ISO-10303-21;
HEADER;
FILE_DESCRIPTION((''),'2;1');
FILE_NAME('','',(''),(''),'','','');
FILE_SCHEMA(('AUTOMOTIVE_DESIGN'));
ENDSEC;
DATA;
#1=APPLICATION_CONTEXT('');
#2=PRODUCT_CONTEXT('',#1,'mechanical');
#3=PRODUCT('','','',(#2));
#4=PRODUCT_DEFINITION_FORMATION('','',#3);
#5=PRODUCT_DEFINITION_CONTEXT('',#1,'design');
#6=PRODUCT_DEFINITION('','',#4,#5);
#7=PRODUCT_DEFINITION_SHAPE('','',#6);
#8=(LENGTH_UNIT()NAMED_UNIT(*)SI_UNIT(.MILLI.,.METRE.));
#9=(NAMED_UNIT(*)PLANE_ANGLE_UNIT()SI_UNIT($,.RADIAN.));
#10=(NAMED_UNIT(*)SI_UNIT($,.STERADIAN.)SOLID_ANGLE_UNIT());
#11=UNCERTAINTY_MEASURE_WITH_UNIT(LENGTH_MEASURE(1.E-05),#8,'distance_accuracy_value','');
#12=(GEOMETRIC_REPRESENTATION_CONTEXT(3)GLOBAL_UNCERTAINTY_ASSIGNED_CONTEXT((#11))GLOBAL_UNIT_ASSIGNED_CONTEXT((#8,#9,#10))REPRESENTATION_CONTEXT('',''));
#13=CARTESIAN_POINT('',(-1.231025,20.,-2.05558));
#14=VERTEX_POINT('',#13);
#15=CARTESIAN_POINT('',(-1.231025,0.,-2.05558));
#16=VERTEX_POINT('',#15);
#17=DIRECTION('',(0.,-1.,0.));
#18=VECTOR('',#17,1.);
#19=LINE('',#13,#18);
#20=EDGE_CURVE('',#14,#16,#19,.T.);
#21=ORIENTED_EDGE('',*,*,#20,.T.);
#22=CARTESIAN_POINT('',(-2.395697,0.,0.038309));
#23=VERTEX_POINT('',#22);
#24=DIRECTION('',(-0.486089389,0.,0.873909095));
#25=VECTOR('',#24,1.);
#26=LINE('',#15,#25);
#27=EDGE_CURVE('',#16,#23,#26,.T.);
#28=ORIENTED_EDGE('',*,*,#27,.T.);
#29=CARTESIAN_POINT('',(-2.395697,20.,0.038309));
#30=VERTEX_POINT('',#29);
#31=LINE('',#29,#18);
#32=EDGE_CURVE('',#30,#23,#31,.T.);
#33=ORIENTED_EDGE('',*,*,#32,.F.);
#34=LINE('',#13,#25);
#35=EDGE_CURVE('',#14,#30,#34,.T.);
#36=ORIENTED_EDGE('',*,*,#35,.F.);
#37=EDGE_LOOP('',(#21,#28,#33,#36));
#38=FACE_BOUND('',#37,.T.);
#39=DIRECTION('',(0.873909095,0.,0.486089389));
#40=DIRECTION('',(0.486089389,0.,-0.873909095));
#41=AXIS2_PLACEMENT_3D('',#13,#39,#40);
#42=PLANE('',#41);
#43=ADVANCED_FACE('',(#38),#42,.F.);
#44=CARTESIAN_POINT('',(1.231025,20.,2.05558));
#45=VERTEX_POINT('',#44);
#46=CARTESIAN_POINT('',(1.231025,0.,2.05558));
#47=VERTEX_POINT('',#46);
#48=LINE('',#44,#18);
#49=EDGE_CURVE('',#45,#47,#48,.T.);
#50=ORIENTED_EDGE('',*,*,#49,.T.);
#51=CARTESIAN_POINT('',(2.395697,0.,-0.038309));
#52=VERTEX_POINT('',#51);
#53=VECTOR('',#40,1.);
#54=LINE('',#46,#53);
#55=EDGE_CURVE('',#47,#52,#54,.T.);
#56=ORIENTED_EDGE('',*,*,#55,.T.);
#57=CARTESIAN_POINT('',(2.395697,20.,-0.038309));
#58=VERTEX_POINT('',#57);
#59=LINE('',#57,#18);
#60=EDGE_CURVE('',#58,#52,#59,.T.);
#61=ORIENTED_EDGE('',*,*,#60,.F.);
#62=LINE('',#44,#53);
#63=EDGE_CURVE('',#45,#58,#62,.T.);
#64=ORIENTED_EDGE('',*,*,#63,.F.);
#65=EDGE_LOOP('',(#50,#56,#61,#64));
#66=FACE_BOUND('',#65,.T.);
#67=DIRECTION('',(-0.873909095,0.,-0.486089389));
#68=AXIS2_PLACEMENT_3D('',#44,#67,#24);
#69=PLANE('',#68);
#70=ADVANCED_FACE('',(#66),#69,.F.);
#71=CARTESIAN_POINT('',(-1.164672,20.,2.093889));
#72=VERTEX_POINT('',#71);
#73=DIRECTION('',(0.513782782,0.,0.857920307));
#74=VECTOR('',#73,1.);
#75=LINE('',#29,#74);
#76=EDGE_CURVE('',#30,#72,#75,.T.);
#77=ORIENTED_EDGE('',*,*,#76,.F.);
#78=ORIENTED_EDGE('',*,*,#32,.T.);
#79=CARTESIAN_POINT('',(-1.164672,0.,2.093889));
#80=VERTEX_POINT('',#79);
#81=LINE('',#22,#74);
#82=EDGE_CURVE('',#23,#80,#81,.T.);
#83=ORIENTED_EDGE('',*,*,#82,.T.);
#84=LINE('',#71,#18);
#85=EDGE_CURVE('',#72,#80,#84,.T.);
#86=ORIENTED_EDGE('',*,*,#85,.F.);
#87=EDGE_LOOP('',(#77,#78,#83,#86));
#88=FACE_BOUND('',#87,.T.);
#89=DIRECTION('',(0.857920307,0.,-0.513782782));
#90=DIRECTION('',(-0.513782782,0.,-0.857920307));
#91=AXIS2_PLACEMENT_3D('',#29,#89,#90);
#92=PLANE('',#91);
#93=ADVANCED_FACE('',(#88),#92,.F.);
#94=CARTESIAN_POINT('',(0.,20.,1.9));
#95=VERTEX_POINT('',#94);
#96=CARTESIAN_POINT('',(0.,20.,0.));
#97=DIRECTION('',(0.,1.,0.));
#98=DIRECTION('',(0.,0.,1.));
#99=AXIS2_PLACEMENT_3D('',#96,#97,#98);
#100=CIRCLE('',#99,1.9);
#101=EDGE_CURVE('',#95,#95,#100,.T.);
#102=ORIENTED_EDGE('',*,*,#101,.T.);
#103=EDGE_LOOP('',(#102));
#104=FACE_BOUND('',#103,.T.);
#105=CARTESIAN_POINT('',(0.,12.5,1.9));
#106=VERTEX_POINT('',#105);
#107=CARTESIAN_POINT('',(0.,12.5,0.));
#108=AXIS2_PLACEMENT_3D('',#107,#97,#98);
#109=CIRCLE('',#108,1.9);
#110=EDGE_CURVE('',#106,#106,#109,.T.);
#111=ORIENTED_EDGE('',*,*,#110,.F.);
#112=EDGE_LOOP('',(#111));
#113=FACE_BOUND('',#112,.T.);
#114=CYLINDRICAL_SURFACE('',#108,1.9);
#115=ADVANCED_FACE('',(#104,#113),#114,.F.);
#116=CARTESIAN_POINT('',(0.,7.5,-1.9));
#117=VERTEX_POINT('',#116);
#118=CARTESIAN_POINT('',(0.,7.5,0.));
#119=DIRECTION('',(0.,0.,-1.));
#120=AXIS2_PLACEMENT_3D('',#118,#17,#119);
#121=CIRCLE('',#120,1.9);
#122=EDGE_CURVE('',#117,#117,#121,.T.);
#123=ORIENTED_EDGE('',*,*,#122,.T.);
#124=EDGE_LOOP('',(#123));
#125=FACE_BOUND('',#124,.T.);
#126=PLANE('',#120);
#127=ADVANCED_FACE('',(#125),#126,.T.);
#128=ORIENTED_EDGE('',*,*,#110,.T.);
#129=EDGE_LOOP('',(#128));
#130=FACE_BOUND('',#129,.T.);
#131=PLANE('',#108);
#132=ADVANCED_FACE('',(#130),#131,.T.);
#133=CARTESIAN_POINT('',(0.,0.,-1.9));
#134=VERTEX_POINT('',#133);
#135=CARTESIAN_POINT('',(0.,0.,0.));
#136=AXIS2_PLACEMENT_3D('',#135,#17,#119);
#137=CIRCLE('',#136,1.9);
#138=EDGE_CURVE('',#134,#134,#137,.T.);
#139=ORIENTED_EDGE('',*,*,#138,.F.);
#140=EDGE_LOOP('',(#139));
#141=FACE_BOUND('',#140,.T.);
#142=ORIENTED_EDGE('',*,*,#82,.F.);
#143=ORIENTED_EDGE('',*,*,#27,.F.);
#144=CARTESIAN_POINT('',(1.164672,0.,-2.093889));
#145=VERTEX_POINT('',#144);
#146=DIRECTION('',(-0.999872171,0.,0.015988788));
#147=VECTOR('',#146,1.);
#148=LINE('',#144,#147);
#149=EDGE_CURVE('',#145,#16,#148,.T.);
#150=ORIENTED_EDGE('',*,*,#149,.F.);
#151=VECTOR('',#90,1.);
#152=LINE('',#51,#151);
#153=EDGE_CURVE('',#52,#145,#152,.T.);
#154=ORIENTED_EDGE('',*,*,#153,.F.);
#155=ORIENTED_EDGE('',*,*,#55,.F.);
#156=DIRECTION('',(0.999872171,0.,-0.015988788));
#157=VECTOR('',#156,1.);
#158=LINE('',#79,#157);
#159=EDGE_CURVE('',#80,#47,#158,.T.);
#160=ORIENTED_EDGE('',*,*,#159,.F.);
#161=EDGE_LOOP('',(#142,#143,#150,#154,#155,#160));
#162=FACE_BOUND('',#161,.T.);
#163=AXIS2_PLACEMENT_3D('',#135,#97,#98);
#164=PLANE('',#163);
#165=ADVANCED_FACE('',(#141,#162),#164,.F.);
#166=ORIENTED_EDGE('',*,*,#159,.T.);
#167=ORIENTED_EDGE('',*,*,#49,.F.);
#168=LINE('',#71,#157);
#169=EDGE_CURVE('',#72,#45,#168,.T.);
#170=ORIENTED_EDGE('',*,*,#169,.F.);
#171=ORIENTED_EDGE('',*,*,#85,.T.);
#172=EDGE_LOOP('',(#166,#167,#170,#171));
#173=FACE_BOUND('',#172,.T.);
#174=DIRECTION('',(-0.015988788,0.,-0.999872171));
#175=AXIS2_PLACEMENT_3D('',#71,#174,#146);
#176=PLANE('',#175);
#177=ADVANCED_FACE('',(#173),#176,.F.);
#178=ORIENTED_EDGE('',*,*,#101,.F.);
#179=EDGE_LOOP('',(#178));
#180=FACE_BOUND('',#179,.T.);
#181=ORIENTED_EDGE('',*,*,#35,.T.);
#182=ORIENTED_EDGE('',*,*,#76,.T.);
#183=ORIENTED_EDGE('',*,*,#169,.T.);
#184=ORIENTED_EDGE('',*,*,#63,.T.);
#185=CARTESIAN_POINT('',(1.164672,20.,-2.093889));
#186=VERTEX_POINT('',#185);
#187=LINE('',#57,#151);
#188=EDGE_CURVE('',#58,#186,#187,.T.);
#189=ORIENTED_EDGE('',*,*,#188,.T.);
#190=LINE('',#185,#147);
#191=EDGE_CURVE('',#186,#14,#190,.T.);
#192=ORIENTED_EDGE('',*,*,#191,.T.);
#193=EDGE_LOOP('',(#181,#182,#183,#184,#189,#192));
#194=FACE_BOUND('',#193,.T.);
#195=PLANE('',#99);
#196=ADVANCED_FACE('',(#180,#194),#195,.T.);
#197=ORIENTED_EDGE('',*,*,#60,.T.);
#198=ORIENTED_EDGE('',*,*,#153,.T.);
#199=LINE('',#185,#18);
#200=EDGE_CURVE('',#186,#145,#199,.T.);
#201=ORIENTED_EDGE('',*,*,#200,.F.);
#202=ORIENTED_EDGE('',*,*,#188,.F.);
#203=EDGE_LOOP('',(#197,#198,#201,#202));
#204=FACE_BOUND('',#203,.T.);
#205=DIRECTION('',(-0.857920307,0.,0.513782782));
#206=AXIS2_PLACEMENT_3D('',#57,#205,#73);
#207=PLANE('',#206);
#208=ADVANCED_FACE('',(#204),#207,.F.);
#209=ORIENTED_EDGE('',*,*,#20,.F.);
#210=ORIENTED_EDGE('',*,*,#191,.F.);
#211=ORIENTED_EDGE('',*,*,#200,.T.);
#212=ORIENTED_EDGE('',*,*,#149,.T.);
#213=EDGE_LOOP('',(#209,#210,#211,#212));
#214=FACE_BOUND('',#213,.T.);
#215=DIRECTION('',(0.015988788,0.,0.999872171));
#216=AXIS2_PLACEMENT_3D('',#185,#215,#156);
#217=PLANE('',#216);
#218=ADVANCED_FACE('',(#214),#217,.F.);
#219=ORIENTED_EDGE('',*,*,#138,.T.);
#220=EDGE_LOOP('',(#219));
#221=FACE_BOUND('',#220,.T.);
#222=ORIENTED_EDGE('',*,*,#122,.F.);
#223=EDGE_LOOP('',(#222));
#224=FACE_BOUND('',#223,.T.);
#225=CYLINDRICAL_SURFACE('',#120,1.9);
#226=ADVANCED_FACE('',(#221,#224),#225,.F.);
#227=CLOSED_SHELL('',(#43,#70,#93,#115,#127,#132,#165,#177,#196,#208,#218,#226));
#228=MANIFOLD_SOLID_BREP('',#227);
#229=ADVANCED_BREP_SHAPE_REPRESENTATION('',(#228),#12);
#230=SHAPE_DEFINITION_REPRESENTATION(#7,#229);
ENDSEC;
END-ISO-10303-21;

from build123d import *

# Parameters (mm, degrees)
BOSS_EXTRUDE1_DEPTH = 20
SKETCH2_R           = 1.9
CUT_EXTRUDE1_DEPTH  = 7.5
CUT_EXTRUDE2_START  = -7.5
SKETCH3_R           = 1.9
CUT_EXTRUDE2_DEPTH  = 7.5


with BuildPart() as part:
    # Sketch1 → Boss-Extrude1 (new body)
    with BuildSketch(Plane(origin=(0, 0, 0), x_dir=(1, 0, 0), z_dir=(0, 1, 0))):
        Polygon((1.231025405, -2.055580158), (2.395697339, 0.038309195), (1.164671934, 2.093889353), (-1.231025405, 2.055580158), (-2.395697339, -0.038309195), (-1.164671934, -2.093889353), align=None)
    extrude(amount=BOSS_EXTRUDE1_DEPTH)

    # Sketch2 → Cut-Extrude1 (cut)
    with BuildSketch(Plane(origin=(0, 20, 0), x_dir=(1, 0, 0), z_dir=(0, 1, 0))):
        with Locations(Location((0, 0, 0), (0, 0, 270))):
            Circle(SKETCH2_R)
    extrude(amount=-CUT_EXTRUDE1_DEPTH, mode=Mode.SUBTRACT)

    # Sketch3 → Cut-Extrude2 (cut)
    with BuildSketch(Plane.XZ.offset(CUT_EXTRUDE2_START)):
        with Locations(Location((0, 0, 0), (0, 0, 90))):
            Circle(SKETCH3_R)
    extrude(amount=CUT_EXTRUDE2_DEPTH, mode=Mode.SUBTRACT)


solid = part.part
